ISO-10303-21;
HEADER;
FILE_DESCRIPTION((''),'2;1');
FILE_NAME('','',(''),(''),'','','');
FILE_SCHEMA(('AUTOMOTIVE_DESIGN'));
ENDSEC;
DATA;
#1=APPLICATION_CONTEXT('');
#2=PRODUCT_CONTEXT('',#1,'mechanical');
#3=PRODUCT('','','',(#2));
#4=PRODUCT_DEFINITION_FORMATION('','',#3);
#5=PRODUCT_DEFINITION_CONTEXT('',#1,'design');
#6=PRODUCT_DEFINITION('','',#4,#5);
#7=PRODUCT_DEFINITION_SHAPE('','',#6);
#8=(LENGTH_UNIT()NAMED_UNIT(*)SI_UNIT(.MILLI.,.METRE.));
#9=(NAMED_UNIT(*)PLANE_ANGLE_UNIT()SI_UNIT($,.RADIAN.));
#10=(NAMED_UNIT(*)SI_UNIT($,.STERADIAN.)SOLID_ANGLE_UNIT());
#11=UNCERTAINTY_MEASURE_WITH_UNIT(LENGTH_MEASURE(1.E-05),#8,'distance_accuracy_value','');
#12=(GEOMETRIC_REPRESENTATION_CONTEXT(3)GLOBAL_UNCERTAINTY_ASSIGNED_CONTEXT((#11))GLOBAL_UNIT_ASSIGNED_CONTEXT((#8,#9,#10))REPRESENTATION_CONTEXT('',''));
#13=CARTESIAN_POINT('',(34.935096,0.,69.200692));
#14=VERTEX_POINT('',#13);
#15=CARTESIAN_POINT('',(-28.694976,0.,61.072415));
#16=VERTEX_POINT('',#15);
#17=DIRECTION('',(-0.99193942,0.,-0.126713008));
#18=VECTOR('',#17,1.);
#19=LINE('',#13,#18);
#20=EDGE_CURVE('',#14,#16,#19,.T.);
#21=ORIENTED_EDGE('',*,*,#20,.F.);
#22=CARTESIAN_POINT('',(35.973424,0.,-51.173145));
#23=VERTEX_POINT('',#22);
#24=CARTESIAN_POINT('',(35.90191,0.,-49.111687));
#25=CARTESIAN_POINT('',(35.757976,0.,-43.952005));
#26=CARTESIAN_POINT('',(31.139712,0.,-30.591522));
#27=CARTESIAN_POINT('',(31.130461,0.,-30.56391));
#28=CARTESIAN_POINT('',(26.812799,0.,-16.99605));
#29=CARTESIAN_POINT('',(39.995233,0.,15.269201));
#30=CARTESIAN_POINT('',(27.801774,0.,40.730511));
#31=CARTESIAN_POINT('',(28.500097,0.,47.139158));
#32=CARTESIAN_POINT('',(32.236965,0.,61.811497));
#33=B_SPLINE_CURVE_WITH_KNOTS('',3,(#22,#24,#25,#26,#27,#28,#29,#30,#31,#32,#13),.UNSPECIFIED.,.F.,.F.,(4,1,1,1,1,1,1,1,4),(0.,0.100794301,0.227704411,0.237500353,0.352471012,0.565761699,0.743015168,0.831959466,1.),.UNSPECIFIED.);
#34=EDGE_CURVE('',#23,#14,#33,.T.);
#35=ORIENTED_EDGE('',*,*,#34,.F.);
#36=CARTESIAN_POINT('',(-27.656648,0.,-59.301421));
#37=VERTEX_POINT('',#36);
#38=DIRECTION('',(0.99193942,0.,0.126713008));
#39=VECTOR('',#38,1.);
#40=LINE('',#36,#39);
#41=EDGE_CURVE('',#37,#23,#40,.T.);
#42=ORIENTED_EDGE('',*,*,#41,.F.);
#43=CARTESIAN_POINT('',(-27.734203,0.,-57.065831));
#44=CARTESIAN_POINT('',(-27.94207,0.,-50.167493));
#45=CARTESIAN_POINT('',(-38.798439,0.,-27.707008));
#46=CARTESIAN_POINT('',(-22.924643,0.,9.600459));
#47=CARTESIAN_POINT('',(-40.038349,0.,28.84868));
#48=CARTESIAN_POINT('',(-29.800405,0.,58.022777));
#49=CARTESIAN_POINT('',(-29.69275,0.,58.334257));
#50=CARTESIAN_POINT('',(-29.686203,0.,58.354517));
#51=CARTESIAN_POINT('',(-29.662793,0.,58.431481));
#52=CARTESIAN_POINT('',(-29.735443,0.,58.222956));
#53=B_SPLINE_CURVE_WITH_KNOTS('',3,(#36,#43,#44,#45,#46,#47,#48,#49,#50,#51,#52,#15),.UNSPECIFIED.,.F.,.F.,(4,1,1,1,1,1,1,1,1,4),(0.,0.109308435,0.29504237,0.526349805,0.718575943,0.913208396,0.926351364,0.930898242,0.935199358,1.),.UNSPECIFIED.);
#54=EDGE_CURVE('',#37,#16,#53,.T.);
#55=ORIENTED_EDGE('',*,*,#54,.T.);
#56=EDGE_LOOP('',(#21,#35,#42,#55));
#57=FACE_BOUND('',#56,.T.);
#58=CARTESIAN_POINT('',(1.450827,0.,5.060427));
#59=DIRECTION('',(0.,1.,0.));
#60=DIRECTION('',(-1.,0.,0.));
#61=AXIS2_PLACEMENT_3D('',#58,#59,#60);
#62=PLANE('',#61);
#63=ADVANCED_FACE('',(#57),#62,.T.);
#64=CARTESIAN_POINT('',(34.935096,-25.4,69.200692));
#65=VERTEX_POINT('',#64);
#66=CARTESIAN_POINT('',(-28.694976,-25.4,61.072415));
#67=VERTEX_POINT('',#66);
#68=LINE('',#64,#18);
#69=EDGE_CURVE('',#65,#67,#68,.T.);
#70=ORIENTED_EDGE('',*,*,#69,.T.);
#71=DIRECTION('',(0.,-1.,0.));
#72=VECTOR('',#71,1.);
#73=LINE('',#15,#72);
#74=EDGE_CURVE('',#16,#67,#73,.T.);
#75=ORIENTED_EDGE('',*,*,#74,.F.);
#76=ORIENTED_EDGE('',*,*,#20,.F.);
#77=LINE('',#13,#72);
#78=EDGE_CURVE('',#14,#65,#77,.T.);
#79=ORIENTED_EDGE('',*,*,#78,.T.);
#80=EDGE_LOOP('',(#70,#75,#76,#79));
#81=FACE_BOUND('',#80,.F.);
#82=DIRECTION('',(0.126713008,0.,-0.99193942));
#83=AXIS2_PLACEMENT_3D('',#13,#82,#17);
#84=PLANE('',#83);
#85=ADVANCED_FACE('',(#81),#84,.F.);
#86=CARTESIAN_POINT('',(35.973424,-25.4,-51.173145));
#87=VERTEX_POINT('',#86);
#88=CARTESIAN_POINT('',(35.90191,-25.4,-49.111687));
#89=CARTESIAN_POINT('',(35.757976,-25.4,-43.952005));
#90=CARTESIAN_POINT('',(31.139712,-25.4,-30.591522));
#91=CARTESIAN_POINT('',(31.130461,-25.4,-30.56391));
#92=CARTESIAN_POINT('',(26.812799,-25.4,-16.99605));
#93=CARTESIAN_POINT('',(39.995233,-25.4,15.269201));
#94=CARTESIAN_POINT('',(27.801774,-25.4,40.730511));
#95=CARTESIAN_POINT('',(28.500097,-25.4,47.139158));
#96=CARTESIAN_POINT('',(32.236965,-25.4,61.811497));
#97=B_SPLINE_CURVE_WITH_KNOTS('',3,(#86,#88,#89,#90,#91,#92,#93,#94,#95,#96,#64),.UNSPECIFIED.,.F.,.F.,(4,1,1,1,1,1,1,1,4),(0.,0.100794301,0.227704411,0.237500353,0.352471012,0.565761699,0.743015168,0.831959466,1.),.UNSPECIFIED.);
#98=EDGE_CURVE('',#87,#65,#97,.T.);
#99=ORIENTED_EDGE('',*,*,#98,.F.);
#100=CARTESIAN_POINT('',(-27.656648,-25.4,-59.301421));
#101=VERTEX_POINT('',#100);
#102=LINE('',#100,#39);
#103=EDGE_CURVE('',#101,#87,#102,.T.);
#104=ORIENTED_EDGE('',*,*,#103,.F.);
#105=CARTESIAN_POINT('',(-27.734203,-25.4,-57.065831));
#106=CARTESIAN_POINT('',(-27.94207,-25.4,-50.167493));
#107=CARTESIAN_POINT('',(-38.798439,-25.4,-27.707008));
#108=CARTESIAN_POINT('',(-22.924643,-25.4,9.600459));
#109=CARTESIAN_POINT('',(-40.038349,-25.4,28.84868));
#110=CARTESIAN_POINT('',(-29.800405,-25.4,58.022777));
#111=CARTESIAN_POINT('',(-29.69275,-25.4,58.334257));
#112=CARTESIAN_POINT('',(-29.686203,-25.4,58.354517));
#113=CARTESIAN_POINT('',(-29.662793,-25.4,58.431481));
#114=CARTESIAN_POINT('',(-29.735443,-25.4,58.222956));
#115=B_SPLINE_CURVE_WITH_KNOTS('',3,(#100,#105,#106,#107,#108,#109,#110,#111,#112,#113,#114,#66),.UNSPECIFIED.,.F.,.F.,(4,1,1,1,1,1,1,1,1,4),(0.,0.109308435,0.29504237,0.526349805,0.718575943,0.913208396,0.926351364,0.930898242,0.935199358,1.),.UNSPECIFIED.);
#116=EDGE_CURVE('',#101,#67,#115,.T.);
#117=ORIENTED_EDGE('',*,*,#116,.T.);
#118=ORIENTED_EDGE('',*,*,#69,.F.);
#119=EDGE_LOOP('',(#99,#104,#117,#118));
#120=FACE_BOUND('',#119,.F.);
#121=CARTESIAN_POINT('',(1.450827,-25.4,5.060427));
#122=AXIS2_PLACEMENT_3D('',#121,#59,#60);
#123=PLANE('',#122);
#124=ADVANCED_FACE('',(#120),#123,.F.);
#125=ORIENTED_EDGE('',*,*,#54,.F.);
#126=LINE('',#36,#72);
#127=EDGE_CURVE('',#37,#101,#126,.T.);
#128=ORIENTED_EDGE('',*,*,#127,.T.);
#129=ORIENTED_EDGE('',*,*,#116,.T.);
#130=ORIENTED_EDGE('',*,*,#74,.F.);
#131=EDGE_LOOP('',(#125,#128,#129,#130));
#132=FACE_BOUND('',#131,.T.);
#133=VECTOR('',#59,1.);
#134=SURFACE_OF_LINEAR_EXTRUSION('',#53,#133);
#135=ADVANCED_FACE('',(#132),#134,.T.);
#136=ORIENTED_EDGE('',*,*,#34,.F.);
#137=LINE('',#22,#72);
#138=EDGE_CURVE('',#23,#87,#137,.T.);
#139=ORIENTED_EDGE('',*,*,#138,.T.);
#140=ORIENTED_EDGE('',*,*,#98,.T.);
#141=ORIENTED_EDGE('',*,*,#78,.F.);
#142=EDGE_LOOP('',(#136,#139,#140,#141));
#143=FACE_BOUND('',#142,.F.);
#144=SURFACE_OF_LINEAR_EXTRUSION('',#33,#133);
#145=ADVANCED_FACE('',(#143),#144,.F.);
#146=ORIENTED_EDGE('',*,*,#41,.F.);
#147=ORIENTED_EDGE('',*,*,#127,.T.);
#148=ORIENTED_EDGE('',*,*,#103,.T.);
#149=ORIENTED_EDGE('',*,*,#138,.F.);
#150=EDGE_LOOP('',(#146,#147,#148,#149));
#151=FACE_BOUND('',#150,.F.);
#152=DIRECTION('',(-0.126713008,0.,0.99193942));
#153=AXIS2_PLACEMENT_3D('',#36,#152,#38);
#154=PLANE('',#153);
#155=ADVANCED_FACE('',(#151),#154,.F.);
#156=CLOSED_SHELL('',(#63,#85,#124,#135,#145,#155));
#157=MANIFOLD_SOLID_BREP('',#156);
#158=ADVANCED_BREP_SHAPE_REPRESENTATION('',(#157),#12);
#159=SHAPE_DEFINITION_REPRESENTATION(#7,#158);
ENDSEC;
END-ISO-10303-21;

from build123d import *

# Parameters (mm, degrees)
F1_DEPTH = 25.4


with BuildPart() as f1:
    # F0 (on Front) → F1 (new body)
    with BuildSketch(Plane.XZ):
        with BuildLine():
            add(Edge.make_bspline(
                [(-27.656648308, -59.3014210463), (-27.7342028997, -57.0658314811), (-27.9420700188, -50.1674933239), (-38.798439003, -27.7070078167), (-22.9246426604, 9.6004594893), (-40.0383494993, 28.8486796031), (-29.8004046015, 58.022777477), (-29.6927499941, 58.3342568595), (-29.6862025611, 58.3545168706), (-29.6627927098, 58.4314814775), (-29.7354432462, 58.2229564073), (-28.6949761852, 61.0724150756)],
                knots=[0, 0, 0, 0, 0.109308435, 0.2950423698, 0.5263498046, 0.718575943, 0.9132083964, 0.9263513637, 0.9308982424, 0.9351993579, 1, 1, 1, 1], degree=3))
            Line((-27.656648308, -59.3014210463), (35.9734238148, -51.1731446168))
            add(Edge.make_bspline(
                [(35.9734238148, -51.1731446168), (35.9019100212, -49.1116871675), (35.757976088, -43.9520047014), (31.1397118599, -30.5915223182), (31.1304608357, -30.5639097753), (26.812798521, -16.9960501297), (39.9952327257, 15.2692014534), (27.8017739599, 40.7305108412), (28.5000966355, 47.1391578081), (32.2369646493, 61.8114969055), (34.9350959375, 69.2006915051)],
                knots=[0, 0, 0, 0, 0.100794301, 0.2277044109, 0.237500353, 0.352471012, 0.5657616991, 0.7430151678, 0.8319594665, 1, 1, 1, 1], degree=3))
            Line((34.9350959375, 69.2006915051), (-28.6949761853, 61.0724150756))
        make_face()
    extrude(amount=F1_DEPTH)


solid = f1.part
